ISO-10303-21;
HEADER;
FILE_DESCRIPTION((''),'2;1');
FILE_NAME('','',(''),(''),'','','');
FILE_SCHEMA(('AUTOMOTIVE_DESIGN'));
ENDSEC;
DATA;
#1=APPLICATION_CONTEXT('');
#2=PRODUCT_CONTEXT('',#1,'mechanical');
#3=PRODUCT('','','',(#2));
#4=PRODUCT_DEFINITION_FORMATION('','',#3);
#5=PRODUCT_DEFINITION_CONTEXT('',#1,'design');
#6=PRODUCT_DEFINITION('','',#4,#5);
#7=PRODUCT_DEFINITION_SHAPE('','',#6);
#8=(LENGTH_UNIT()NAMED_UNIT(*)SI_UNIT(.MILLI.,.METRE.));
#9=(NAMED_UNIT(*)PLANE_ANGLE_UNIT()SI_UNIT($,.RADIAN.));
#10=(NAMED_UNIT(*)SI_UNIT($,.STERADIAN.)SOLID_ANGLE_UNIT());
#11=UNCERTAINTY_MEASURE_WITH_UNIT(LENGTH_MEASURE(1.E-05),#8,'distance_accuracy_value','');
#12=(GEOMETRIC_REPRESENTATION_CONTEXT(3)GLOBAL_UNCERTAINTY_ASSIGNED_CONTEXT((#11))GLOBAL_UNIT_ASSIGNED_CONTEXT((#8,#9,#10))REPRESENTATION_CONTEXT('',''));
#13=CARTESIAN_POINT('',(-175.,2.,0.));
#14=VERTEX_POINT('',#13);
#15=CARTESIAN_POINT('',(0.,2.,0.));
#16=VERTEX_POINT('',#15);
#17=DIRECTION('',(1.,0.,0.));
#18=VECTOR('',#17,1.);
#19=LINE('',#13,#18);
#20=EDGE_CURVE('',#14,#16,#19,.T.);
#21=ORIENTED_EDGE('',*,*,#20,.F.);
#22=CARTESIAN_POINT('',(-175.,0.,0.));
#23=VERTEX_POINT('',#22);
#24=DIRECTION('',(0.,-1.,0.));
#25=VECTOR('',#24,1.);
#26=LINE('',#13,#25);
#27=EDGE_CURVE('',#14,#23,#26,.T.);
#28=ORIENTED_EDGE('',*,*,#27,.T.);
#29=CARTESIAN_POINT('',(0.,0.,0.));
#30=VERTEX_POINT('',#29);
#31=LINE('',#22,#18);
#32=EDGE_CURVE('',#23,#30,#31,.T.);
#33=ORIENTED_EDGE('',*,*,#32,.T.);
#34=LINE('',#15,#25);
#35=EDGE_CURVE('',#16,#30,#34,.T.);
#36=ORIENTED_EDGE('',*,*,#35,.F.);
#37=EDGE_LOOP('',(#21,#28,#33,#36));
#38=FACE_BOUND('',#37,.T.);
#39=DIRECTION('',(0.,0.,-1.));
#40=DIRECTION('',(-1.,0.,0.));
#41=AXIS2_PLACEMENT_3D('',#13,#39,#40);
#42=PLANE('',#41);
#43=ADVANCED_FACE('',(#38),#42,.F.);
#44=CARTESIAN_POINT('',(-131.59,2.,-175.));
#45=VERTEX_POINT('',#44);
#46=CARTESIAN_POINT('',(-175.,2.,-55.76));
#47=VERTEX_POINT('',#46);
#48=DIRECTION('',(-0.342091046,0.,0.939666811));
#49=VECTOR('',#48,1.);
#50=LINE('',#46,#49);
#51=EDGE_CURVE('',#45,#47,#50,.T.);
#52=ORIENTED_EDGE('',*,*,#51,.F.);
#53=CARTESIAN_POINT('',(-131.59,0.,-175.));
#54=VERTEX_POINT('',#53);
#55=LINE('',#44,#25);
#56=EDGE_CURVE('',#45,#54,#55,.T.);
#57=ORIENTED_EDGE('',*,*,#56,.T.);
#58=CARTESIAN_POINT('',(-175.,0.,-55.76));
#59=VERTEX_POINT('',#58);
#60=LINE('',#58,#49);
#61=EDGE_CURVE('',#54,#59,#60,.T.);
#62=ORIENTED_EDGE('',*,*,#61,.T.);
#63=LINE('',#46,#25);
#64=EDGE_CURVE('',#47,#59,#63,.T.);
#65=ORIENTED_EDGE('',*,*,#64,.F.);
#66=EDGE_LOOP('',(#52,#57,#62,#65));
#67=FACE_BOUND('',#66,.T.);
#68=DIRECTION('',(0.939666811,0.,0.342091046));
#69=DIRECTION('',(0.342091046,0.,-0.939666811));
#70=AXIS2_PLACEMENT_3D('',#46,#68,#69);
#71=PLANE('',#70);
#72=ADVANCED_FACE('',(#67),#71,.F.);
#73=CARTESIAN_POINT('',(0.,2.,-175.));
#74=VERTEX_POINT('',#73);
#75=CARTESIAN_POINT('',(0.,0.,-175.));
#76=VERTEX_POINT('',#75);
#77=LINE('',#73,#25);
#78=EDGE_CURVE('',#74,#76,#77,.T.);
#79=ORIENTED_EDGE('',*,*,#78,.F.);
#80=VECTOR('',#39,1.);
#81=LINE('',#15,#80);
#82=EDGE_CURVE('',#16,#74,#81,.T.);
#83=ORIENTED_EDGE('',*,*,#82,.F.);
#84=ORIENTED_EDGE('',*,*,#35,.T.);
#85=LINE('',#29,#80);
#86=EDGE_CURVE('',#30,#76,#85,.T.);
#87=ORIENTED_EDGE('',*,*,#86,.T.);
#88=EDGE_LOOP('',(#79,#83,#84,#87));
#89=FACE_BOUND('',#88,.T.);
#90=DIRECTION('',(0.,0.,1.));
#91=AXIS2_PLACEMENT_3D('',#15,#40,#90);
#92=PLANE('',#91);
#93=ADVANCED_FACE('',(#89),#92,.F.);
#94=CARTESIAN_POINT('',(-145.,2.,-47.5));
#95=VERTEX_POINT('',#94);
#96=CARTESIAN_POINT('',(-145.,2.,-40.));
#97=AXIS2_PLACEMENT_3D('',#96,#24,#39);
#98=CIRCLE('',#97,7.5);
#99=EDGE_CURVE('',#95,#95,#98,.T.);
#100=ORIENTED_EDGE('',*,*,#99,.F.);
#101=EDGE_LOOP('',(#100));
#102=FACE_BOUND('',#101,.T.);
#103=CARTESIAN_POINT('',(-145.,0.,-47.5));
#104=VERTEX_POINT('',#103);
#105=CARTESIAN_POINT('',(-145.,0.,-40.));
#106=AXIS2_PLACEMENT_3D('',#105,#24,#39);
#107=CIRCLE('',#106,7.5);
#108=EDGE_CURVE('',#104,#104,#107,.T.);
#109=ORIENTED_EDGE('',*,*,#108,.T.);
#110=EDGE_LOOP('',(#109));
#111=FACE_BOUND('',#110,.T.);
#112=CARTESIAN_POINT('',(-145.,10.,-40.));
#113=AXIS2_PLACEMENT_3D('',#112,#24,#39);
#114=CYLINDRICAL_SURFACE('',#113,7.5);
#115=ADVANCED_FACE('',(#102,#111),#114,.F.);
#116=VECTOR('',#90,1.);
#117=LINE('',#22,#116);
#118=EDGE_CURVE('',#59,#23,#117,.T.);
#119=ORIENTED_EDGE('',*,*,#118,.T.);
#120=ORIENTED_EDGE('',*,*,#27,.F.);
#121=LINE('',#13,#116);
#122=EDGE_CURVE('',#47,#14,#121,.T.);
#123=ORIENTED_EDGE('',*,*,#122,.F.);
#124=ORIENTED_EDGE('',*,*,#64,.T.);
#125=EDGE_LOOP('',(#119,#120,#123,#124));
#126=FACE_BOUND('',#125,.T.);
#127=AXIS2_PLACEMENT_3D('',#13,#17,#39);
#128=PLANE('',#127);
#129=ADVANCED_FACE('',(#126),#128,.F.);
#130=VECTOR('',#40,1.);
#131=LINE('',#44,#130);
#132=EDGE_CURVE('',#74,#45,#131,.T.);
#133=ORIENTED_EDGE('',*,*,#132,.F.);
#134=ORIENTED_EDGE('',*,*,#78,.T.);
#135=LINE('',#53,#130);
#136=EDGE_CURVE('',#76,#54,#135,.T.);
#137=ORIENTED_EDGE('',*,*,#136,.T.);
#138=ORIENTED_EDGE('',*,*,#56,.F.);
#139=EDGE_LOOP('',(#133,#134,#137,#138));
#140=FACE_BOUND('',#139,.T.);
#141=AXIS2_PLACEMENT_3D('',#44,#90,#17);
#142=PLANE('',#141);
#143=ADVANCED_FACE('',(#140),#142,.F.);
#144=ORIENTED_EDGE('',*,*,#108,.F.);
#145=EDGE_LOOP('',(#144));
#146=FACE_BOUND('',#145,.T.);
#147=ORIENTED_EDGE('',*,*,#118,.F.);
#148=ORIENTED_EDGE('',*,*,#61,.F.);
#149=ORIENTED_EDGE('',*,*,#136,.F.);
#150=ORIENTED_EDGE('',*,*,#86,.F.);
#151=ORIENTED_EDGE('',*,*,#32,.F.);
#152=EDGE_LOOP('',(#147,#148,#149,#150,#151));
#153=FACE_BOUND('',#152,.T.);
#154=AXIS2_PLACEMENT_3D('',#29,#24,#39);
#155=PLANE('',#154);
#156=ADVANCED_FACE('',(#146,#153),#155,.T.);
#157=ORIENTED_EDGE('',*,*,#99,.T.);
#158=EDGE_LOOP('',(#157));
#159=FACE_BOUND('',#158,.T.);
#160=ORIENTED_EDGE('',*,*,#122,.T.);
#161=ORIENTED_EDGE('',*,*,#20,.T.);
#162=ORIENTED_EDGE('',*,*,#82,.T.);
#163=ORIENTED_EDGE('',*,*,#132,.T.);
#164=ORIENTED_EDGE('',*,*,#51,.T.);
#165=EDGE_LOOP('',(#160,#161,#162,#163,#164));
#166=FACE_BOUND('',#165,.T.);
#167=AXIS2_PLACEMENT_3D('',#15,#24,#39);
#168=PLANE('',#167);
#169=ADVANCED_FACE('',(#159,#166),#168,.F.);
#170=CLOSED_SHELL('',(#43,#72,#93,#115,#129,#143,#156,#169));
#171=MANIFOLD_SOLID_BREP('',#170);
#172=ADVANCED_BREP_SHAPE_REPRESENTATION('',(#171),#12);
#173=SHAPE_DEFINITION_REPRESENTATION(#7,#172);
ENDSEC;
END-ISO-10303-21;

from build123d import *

# Parameters (mm, degrees)
BOSS_EXTRUDE1_DEPTH = 2
SKETCH2_R           = 7.5
CUT_EXTRUDE1_DEPTH  = 10


with BuildPart() as part:
    # Sketch1 → Boss-Extrude1 (new body)
    with BuildSketch(Plane(origin=(0, 0, 0), x_dir=(1, 0, 0), z_dir=(0, 1, 0))):
        Polygon((-175, 55.76), (-131.59, 175), (0, 175), (0, 0), (-175, 0), align=None)
    extrude(amount=BOSS_EXTRUDE1_DEPTH)

    # Sketch2 → Cut-Extrude1 (cut)
    with BuildSketch(Plane.XZ):
        with Locations(Location((-145, -40, 0), (0, 0, 270))):
            Circle(SKETCH2_R)
    extrude(amount=-CUT_EXTRUDE1_DEPTH, mode=Mode.SUBTRACT)


solid = part.part
